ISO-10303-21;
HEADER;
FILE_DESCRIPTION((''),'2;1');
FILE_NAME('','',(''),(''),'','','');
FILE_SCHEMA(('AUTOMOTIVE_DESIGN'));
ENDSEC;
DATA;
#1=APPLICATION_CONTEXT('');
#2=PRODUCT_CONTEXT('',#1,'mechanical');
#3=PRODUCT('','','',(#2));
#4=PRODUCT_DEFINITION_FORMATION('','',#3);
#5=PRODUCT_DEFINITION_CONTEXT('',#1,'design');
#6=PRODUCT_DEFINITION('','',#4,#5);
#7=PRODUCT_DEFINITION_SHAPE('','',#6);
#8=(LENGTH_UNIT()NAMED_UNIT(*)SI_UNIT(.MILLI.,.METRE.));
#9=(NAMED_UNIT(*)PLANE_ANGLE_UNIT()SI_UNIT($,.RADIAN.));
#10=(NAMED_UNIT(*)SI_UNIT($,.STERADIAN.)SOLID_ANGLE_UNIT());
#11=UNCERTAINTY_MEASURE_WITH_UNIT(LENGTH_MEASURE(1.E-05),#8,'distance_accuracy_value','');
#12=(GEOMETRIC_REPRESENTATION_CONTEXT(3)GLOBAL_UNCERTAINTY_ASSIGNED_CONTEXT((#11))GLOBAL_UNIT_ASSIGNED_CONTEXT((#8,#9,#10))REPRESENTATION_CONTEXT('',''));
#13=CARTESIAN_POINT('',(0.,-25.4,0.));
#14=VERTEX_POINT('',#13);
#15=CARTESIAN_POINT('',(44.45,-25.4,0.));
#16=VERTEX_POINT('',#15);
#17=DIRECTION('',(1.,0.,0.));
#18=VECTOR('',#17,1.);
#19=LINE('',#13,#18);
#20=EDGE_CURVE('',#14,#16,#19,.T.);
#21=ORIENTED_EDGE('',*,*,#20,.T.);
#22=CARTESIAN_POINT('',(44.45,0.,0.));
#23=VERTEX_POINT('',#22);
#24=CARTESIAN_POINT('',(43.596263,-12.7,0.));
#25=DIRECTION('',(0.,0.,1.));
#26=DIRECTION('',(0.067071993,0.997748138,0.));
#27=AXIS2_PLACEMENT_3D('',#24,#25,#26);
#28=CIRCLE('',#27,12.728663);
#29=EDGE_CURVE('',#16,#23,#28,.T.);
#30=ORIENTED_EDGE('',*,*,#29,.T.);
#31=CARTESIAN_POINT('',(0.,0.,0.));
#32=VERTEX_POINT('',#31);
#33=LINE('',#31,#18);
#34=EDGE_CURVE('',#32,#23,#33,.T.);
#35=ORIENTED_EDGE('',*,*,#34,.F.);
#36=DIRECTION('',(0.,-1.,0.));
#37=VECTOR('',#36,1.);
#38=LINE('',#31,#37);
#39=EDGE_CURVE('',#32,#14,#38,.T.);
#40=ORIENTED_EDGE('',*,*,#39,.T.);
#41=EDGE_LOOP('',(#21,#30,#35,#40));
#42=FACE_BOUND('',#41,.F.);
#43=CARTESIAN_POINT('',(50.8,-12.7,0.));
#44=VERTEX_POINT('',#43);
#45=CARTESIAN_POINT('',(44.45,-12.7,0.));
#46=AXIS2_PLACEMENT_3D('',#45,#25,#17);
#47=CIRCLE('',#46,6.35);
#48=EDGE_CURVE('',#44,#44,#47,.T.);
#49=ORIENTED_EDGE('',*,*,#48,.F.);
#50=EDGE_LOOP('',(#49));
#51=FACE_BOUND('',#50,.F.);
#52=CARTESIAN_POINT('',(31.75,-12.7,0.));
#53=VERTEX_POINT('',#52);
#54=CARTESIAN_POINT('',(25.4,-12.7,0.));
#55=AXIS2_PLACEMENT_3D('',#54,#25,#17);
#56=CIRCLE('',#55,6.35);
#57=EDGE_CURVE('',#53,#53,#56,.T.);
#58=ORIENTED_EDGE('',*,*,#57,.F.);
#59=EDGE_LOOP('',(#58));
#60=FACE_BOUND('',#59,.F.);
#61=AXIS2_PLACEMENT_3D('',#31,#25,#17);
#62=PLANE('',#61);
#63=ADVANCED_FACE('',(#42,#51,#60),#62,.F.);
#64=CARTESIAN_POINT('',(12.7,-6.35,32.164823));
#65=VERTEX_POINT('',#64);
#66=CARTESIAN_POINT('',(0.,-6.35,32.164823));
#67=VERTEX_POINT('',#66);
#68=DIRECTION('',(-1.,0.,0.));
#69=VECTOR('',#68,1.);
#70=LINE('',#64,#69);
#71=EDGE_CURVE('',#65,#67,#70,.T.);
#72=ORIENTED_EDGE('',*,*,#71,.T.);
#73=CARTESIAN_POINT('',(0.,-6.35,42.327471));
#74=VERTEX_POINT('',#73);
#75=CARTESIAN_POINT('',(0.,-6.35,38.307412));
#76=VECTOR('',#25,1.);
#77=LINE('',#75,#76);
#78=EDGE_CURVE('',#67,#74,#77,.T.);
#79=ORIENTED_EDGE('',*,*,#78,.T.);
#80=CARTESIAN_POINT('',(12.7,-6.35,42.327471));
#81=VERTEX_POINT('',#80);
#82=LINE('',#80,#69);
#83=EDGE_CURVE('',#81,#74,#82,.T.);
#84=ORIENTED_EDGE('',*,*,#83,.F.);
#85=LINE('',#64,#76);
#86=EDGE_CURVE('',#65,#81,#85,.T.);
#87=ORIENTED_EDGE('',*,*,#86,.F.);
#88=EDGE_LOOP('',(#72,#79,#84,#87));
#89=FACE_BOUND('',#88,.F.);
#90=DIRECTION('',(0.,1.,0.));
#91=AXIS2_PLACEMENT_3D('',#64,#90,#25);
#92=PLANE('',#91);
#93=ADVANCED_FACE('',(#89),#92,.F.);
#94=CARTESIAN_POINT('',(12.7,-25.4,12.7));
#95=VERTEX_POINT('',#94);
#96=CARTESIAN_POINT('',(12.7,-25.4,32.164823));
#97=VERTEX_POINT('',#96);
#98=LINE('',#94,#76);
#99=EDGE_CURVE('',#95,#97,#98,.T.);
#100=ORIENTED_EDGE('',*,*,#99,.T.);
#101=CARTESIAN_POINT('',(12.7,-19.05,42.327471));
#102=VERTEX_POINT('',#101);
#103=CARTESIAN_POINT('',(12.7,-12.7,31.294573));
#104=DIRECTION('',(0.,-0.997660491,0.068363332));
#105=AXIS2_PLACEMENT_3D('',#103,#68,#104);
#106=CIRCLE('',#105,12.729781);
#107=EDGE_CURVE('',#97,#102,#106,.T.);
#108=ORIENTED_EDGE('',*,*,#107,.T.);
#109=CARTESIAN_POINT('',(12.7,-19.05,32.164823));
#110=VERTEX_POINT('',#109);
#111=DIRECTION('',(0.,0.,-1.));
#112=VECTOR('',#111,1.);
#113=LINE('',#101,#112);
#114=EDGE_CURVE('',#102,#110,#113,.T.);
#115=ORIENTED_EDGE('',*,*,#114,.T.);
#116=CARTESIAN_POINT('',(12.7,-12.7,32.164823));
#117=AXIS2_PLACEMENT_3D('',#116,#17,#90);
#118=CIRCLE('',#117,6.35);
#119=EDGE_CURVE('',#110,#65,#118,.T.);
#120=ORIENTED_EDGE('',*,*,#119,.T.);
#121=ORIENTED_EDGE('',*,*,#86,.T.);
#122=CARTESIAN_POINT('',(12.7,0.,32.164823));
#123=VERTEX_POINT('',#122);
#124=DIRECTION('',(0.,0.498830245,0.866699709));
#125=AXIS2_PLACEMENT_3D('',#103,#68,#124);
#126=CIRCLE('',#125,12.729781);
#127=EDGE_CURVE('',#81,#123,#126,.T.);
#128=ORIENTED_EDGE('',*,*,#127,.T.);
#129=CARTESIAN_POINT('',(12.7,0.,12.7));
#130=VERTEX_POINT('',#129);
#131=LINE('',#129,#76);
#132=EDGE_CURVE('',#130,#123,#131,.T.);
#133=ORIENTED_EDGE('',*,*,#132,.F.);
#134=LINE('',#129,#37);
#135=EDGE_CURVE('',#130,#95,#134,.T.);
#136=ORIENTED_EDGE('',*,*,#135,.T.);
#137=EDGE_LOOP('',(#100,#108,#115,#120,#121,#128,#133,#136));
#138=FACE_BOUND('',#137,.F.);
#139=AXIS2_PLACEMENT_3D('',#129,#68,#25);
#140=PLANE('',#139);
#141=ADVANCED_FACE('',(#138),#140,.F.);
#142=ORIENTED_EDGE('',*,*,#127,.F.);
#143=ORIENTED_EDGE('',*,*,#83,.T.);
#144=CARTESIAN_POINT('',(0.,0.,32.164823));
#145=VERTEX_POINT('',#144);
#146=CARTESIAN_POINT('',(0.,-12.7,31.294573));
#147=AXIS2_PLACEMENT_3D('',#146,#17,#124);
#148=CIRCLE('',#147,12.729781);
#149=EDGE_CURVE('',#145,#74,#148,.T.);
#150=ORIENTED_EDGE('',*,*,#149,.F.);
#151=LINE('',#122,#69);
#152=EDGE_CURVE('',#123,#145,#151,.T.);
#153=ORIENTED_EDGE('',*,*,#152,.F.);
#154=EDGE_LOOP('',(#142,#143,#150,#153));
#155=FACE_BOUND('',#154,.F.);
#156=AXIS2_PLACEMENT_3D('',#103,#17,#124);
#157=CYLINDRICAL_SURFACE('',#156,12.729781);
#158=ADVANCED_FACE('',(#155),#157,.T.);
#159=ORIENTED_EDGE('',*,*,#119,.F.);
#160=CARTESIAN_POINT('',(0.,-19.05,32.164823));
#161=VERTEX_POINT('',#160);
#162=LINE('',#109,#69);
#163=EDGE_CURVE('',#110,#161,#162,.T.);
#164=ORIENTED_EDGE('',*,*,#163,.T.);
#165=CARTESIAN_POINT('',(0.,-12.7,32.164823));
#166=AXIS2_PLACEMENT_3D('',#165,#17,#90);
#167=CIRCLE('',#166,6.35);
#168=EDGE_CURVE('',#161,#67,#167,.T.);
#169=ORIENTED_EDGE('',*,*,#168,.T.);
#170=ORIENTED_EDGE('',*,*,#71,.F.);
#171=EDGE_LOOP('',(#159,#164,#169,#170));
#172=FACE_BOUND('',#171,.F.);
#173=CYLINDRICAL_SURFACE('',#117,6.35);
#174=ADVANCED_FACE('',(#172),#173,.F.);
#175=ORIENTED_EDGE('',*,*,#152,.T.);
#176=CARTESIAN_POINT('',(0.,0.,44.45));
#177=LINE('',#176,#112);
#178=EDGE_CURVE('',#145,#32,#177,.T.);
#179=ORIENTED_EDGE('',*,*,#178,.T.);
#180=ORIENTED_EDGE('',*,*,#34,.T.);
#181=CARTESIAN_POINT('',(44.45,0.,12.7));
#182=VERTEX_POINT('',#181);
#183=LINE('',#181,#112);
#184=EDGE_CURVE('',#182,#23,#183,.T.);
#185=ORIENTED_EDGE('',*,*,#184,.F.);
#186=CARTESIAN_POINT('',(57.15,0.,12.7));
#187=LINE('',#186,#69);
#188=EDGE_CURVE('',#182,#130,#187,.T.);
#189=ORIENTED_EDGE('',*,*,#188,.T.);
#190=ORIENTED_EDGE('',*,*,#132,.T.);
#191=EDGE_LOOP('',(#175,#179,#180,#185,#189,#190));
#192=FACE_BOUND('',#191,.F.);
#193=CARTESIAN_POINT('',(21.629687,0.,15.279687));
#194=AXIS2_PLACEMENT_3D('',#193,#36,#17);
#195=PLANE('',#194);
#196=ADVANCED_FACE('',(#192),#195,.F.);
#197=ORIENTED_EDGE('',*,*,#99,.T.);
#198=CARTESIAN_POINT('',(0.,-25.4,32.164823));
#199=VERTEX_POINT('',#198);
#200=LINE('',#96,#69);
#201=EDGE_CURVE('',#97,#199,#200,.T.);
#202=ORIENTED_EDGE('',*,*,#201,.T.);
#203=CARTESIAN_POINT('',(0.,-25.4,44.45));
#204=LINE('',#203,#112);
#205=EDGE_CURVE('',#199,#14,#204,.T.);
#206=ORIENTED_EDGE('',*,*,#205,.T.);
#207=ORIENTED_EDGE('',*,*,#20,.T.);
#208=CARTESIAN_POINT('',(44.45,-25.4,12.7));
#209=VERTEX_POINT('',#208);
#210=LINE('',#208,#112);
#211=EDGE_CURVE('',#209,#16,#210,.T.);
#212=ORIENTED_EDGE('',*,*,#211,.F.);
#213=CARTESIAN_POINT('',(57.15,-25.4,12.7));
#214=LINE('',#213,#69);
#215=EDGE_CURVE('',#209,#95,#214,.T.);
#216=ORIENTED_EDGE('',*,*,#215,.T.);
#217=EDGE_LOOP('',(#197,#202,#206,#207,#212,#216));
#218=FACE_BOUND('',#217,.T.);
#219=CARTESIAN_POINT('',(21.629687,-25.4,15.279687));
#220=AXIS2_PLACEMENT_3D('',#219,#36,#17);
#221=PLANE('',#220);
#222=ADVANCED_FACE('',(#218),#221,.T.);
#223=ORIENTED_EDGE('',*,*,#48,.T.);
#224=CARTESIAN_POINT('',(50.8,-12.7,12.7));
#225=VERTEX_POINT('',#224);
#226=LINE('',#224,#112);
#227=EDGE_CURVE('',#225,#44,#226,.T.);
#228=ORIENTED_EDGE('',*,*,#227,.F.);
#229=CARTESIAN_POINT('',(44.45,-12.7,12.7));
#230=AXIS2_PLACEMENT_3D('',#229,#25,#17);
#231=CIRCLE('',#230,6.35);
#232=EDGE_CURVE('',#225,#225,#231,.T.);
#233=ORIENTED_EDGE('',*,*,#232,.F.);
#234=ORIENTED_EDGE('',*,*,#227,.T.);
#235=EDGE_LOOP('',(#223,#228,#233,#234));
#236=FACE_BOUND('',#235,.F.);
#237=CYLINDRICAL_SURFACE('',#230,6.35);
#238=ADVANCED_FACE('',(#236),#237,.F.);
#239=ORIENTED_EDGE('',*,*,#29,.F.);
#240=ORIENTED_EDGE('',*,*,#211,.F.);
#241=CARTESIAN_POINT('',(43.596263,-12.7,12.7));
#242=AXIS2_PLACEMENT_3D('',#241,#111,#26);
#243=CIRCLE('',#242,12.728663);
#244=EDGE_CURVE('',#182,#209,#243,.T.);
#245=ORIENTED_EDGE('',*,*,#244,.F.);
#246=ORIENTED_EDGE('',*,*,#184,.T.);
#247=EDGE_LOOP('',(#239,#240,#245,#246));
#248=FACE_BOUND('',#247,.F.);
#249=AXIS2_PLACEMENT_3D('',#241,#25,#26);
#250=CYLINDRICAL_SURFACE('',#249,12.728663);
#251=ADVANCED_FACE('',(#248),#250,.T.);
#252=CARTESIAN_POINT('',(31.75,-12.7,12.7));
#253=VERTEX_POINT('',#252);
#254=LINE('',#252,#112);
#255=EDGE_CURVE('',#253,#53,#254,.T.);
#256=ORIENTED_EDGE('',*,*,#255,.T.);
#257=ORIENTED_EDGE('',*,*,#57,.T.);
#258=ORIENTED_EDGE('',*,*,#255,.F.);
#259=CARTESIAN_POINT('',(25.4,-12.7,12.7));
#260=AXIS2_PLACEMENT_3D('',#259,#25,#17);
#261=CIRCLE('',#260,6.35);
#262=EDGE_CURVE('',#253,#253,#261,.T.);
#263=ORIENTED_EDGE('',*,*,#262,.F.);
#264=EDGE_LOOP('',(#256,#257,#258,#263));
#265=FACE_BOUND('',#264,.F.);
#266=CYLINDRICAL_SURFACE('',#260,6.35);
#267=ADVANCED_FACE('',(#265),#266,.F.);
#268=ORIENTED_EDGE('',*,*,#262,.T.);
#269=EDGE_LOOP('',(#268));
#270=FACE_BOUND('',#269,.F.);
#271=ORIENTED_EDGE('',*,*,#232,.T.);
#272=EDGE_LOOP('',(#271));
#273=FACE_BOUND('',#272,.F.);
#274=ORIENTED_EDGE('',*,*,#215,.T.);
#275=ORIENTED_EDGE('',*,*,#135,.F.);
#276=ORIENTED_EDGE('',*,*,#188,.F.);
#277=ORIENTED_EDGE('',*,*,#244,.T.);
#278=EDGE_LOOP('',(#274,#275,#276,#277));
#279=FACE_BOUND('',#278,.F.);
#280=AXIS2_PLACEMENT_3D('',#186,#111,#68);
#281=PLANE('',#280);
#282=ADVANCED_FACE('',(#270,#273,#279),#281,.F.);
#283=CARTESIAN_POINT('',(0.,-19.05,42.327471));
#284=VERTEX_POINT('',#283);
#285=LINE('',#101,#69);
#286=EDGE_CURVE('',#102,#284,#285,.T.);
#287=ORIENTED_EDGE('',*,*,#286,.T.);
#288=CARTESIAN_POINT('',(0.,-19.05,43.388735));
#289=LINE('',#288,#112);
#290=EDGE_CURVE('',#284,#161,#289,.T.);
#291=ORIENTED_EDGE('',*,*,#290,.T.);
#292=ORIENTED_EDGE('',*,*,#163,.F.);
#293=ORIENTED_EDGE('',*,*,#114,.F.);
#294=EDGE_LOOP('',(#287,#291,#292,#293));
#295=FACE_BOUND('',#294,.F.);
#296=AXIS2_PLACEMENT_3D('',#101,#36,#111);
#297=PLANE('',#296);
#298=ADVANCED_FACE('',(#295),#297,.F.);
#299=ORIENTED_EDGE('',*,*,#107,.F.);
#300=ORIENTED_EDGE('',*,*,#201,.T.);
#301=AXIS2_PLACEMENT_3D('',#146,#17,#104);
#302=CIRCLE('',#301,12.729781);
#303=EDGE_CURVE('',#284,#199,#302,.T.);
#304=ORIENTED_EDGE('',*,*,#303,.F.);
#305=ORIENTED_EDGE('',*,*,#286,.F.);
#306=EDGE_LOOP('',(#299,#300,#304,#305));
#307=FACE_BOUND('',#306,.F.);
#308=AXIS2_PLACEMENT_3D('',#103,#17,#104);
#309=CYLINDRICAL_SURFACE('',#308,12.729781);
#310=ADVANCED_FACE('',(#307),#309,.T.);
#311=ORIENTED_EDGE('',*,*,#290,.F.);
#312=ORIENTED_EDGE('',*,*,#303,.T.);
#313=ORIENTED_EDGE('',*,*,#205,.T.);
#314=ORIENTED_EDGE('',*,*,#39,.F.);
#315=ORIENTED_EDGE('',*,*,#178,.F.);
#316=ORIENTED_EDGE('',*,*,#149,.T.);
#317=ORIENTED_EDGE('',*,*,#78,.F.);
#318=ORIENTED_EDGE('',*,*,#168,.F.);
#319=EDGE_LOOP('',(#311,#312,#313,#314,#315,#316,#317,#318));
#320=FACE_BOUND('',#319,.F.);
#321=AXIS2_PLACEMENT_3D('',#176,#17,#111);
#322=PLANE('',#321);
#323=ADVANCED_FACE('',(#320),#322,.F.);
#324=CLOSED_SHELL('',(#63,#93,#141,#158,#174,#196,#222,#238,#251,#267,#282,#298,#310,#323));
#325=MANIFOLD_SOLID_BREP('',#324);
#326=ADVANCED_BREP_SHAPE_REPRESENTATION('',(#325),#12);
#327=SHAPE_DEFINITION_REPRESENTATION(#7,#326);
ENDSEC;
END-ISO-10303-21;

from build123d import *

# Parameters (mm, degrees)
F1_DEPTH = 25.4
F3_DEPTH = 25.4
F4_R     = 6.35
F5_DEPTH = 25.4


with BuildPart() as f1:
    # F0 (on Front) → F1 (new body)
    with BuildSketch(Plane.XZ):
        Polygon((0, 44.45), (0, 0), (57.15, 0), (57.15, 12.7), (12.7, 12.7), (12.7, 44.45), align=None)
    extrude(amount=F1_DEPTH)

    # F2 (on face) → F3 (cut)
    with BuildSketch(Plane.YZ.offset(12.7)):
        with BuildLine():
            ThreePointArc((-25.4, 32.1648232639), (-23.4956230285, 38.0400795664), (-19.05, 42.3274708663))
            Line((-19.05, 42.3274708663), (-19.05, 44.45))
            Line((-19.05, 44.45), (-25.4, 44.45))
            Line((-25.4, 44.45), (-25.4, 32.1648232639))
        make_face()
        with BuildLine():
            ThreePointArc((-19.05, 32.1648232639), (-12.7, 38.5148232639), (-6.35, 32.1648232639))
            Line((-6.35, 32.1648232639), (-6.35, 42.3274708663))
            ThreePointArc((-6.35, 42.3274708663), (-12.7, 44.0243544316), (-19.05, 42.3274708663))
            Line((-19.05, 42.3274708663), (-19.05, 32.1648232639))
        make_face()
        with BuildLine():
            ThreePointArc((-19.05, 42.3274708663), (-12.7, 44.0243544316), (-6.35, 42.3274708663))
            Line((-6.35, 42.3274708663), (-6.35, 44.45))
            Line((-6.35, 44.45), (-19.05, 44.45))
            Line((-19.05, 44.45), (-19.05, 42.3274708663))
        make_face()
        with BuildLine():
            ThreePointArc((-19.05, 32.1648232639), (-12.7, 25.8148232639), (-6.35, 32.1648232639))
            ThreePointArc((-6.35, 32.1648232639), (-12.7, 38.5148232639), (-19.05, 32.1648232639))
        make_face()
        with BuildLine():
            Line((-6.35, 44.45), (-6.35, 42.3274708663))
            ThreePointArc((-6.35, 42.3274708663), (-1.9043769715, 38.0400795664), (0, 32.1648232639))
            Line((0, 32.1648232639), (0, 44.45))
            Line((0, 44.45), (-6.35, 44.45))
        make_face()
    extrude(amount=-F3_DEPTH, mode=Mode.SUBTRACT)

    # F4 (on face) → F5 (cut)
    with BuildSketch(Plane.XY.offset(12.7)):
        with Locations((25.4, -12.7)):
            Circle(F4_R)
        with Locations((44.45, -12.7)):
            Circle(F4_R)
        with BuildLine():
            ThreePointArc((44.45, 0), (56.3249263826, -12.7), (44.45, -25.4))
            Line((44.45, -25.4), (57.15, -25.4))
            Line((57.15, -25.4), (57.15, 0))
            Line((57.15, 0), (44.45, 0))
        make_face()
    extrude(amount=-F5_DEPTH, mode=Mode.SUBTRACT)


solid = f1.part
